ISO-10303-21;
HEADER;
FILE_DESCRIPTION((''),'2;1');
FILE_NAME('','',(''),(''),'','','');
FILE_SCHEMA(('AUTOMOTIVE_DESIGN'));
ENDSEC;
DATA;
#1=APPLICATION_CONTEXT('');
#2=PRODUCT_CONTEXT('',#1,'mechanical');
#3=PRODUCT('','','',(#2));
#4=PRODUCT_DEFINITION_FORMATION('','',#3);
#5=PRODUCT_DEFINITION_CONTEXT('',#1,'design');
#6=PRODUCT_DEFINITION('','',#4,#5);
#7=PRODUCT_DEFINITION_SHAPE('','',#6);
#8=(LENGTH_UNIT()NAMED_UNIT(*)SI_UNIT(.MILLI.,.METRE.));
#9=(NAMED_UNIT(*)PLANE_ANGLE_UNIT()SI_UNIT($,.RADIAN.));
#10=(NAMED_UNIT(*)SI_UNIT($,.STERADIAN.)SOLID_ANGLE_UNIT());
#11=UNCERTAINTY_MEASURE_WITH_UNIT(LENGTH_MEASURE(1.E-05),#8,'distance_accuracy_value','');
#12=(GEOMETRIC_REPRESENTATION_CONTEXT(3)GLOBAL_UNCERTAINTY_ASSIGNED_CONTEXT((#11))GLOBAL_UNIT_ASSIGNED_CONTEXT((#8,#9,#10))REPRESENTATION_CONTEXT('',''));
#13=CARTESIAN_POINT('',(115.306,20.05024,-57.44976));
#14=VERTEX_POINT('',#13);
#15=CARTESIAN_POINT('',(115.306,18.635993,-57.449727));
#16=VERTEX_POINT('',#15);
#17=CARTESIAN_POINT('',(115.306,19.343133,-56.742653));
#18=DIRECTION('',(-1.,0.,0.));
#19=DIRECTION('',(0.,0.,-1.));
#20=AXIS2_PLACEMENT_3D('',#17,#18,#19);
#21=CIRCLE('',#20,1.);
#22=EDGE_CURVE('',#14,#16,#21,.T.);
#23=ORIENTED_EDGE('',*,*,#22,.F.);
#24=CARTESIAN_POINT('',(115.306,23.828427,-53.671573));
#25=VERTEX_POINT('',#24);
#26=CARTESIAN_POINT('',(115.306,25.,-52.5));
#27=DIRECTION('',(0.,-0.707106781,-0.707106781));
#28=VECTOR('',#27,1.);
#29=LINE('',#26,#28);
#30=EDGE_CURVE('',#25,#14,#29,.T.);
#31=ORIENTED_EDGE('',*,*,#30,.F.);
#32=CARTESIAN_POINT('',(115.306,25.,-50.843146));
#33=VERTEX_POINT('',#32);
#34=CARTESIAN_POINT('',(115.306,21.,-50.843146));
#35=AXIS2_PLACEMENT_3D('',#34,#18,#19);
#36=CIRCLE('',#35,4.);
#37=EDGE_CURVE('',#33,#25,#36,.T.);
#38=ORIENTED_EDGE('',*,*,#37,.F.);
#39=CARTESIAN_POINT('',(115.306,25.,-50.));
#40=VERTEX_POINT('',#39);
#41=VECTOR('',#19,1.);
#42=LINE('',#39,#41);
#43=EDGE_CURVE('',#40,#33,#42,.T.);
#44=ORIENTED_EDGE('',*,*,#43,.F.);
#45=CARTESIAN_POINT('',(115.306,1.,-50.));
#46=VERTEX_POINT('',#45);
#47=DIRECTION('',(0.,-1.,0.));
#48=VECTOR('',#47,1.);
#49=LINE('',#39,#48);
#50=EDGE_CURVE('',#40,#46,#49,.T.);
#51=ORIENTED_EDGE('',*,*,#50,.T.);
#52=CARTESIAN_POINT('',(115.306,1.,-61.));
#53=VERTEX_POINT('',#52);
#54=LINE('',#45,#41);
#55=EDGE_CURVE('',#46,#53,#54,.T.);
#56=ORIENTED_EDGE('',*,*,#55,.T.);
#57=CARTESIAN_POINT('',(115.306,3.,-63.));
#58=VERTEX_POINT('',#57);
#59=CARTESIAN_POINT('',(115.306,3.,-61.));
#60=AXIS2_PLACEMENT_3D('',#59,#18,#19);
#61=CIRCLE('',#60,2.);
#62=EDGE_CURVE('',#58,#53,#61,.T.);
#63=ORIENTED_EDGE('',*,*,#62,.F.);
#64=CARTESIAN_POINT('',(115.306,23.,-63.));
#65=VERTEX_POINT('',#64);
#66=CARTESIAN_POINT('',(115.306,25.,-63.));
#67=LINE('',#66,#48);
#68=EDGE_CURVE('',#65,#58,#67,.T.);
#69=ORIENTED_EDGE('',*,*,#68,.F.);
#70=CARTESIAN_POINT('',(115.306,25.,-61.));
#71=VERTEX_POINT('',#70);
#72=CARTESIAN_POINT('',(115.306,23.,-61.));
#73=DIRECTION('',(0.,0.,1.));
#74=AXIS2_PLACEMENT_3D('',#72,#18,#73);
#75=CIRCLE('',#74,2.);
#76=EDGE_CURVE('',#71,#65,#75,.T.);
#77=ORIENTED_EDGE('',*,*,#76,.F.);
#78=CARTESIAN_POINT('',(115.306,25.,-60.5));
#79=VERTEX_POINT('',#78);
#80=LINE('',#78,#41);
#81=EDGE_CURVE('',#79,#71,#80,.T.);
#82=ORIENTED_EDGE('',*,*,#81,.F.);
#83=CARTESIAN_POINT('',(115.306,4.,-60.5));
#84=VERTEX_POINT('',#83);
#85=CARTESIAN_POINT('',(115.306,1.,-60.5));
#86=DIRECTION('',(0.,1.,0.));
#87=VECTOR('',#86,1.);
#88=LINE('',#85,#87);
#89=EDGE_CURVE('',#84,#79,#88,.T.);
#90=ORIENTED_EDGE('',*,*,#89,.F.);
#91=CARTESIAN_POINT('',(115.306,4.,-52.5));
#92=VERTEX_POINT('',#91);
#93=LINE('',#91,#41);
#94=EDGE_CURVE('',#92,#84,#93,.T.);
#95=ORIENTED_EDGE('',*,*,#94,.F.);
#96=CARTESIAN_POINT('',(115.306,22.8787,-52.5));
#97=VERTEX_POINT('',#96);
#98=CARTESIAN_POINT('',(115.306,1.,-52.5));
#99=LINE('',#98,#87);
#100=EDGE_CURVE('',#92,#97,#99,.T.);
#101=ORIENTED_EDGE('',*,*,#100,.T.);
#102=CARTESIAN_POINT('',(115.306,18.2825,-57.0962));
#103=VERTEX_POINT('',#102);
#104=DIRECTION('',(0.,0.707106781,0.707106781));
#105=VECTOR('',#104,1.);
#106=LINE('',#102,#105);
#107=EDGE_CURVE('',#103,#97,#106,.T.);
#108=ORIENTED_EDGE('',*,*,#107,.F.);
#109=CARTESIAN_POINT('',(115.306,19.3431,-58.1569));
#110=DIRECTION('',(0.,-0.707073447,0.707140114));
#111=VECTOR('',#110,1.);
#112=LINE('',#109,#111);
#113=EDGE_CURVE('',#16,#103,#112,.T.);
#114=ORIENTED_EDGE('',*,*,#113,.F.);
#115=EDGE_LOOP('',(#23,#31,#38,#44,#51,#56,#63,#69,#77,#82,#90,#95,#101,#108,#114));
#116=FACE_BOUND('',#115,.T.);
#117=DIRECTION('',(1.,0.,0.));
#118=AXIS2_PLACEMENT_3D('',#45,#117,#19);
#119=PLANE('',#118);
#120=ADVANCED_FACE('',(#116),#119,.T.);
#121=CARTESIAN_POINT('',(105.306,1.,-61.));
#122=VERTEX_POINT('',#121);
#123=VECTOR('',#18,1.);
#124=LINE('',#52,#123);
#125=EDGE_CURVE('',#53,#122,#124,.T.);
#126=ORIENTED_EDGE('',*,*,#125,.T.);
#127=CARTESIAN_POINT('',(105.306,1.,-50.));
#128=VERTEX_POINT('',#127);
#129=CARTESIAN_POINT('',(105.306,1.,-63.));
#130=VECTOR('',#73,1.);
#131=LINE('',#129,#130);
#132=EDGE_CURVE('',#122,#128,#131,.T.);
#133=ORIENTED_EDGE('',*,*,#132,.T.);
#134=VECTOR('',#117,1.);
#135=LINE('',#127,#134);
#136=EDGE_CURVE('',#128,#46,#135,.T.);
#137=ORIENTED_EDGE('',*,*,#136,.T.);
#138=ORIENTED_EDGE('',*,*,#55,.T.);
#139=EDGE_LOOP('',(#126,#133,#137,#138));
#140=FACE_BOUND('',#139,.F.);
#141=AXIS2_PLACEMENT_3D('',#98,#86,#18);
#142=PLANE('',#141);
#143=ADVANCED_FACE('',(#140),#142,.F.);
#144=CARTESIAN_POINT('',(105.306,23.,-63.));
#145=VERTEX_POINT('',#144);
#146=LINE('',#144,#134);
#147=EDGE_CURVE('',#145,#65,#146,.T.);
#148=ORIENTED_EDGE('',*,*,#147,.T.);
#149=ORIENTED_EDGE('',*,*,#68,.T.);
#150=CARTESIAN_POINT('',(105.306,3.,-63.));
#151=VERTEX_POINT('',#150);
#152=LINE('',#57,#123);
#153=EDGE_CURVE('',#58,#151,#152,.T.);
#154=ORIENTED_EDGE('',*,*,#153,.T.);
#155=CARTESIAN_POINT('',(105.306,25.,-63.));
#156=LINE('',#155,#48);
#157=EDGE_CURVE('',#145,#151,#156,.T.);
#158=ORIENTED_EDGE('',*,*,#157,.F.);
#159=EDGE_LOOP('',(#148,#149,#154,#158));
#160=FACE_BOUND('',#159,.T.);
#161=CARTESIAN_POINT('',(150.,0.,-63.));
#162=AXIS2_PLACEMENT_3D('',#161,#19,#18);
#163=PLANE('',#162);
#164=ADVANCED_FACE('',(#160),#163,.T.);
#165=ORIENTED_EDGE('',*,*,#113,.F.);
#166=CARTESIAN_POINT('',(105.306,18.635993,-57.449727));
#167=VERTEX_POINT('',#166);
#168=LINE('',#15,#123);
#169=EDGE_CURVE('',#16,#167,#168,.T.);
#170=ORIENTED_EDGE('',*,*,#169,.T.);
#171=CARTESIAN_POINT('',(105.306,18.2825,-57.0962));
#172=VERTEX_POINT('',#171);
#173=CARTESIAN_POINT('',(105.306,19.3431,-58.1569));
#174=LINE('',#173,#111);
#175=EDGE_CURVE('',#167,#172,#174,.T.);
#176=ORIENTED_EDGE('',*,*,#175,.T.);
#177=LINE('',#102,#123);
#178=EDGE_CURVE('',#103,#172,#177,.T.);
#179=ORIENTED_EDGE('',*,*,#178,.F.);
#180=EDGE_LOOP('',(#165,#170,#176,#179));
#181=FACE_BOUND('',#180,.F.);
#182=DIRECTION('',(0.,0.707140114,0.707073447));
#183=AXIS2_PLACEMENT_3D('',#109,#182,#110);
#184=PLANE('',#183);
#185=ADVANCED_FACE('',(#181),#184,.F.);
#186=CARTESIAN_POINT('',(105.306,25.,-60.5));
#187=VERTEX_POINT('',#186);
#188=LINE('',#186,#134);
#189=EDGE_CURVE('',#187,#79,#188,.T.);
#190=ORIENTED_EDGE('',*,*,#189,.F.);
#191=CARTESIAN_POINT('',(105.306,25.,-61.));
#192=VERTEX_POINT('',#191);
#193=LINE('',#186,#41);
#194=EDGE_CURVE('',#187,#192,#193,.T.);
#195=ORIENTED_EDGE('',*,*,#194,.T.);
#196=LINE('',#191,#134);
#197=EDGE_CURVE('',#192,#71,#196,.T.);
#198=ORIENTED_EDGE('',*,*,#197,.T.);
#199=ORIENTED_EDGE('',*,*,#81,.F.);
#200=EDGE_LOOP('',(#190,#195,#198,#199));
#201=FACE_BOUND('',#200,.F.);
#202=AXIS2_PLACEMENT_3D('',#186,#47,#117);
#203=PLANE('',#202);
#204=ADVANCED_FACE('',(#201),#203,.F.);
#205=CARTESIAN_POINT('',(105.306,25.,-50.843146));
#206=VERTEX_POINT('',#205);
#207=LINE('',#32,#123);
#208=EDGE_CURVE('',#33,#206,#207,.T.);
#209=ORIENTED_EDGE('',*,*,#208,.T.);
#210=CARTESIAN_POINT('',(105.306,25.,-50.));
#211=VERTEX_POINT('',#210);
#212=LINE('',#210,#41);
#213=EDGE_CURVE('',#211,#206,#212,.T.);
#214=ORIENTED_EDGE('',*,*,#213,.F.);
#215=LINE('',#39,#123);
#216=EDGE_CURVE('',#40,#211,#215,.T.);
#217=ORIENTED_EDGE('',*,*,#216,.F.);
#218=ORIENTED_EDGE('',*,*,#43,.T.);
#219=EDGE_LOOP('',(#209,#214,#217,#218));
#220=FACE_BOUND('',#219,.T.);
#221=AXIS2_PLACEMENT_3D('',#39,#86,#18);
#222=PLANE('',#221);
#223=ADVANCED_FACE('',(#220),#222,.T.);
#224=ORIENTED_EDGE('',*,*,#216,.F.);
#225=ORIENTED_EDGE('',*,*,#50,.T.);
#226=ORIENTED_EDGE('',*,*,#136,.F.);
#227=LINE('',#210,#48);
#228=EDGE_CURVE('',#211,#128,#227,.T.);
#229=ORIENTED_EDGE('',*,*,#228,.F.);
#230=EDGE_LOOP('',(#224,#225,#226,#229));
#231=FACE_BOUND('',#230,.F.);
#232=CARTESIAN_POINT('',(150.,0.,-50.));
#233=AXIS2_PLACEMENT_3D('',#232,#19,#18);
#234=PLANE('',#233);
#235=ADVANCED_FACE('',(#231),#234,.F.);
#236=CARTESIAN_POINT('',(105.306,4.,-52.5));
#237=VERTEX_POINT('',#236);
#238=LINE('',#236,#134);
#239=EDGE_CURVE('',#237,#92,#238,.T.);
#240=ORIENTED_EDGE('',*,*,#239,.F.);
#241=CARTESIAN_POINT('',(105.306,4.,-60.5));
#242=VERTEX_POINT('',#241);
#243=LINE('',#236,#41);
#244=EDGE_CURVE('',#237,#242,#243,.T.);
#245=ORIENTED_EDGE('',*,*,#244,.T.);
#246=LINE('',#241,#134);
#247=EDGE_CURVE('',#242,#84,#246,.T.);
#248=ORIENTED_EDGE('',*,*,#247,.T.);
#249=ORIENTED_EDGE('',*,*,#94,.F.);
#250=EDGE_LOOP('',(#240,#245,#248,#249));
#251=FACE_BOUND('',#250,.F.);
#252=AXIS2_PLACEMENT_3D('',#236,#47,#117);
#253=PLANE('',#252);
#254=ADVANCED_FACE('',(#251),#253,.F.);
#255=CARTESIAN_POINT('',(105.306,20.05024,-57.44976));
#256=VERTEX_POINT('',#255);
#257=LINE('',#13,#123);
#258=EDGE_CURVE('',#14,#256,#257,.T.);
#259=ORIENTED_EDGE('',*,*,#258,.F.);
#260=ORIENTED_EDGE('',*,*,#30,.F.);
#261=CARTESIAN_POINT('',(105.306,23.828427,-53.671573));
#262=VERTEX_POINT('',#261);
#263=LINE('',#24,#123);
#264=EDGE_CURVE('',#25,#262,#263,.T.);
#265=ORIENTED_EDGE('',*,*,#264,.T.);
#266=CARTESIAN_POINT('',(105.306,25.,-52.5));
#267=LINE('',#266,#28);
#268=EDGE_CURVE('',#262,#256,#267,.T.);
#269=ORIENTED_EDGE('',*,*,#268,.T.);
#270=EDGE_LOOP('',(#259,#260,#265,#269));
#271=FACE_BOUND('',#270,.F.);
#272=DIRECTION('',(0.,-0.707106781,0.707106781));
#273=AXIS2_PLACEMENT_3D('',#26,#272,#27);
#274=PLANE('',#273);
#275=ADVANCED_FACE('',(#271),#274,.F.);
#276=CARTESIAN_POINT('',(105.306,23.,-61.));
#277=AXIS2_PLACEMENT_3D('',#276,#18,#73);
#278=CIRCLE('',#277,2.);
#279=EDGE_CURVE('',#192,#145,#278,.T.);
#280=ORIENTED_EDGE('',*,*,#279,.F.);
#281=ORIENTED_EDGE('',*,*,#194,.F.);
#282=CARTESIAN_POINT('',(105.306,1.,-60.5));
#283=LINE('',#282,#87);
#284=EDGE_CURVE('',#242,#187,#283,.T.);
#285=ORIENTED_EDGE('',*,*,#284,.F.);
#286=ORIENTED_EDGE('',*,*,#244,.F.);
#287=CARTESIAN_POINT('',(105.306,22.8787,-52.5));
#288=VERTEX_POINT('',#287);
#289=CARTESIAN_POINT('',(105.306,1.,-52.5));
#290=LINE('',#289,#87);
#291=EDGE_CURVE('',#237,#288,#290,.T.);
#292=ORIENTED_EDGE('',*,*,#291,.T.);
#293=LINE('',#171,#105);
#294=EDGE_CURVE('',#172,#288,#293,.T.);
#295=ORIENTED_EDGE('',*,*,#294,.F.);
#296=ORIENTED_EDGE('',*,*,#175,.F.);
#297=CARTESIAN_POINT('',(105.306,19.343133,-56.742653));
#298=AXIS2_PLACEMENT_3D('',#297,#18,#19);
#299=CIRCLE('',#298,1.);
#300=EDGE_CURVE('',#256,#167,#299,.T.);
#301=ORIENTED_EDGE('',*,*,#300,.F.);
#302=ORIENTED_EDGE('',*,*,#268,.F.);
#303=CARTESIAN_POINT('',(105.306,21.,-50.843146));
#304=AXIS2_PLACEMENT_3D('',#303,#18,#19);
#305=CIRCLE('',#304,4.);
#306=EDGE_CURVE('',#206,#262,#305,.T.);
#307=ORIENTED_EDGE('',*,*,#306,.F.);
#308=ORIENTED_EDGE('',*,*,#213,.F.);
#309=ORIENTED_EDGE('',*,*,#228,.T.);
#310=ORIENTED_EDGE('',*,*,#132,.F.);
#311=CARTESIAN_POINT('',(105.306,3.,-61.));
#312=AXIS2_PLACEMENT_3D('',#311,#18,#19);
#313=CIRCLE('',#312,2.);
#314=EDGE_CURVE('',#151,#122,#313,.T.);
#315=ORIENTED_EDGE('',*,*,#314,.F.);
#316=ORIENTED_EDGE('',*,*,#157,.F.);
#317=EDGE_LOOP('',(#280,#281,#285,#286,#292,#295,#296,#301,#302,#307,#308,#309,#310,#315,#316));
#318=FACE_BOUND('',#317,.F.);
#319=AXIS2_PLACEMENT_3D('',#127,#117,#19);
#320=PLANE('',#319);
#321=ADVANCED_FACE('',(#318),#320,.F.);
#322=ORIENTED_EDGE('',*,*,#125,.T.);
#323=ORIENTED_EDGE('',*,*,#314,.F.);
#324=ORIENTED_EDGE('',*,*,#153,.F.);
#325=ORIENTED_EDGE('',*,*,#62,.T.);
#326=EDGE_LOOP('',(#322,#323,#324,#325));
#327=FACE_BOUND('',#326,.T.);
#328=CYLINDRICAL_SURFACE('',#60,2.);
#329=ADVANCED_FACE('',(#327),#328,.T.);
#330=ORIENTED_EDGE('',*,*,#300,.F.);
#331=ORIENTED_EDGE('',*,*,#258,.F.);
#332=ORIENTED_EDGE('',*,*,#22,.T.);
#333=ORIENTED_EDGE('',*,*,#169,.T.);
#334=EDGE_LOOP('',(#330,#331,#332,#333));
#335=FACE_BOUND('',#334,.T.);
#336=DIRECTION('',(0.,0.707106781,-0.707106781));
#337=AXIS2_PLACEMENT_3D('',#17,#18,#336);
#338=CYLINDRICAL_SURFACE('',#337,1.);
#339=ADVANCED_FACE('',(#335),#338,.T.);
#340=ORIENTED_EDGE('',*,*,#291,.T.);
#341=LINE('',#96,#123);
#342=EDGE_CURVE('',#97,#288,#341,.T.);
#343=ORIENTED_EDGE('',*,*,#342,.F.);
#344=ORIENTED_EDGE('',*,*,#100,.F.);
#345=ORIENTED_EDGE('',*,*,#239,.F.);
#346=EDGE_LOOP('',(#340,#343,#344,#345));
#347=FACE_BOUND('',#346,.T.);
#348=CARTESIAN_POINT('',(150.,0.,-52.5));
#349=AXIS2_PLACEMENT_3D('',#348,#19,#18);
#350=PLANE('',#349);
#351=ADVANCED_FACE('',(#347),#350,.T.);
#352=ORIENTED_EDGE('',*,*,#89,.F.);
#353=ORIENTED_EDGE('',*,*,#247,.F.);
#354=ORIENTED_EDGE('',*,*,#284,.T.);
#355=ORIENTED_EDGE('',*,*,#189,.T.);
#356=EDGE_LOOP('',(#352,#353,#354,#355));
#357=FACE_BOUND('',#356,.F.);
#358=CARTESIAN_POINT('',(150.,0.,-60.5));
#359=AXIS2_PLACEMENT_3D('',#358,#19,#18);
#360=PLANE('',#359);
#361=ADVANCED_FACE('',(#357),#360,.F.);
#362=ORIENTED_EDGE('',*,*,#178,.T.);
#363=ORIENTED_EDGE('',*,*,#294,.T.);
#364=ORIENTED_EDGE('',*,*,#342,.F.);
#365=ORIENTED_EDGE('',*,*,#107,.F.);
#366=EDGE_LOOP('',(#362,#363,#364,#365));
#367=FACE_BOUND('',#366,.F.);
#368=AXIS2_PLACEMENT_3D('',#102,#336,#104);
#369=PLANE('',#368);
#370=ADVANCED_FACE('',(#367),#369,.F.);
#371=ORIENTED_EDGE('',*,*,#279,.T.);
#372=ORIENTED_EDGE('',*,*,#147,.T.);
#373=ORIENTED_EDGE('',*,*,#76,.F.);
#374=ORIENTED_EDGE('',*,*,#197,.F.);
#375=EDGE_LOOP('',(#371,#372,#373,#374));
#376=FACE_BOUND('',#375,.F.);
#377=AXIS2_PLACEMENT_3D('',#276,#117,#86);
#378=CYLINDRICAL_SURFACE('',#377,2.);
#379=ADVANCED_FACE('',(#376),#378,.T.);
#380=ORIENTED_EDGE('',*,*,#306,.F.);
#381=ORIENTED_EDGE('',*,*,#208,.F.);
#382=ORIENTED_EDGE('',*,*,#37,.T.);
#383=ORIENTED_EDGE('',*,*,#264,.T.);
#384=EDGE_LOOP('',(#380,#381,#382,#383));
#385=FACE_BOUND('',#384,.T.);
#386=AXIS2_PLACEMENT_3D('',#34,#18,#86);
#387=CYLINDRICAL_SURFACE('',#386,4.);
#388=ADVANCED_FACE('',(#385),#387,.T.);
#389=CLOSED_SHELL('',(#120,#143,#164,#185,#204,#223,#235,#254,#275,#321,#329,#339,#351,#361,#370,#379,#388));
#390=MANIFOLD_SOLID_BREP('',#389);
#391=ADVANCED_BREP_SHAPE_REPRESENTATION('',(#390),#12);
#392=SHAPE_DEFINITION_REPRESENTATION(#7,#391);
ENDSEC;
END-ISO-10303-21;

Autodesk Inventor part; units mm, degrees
ref_plane "YZ Plane" through (0, 0, 0) normal (1, 0, 0) x (0, 1, 0)
ref_plane "XZ Plane" through (0, 0, 0) normal (0, 1, 0) x (-1, 0, 0)
ref_plane "XY Plane" through (0, 0, 0) normal (0, 0, 1) x (1, 0, 0)
ref_plane "Work Plane1" through (150, 0, -50) normal (0, 0, -1) x (-1, 0, 0)
sketch "Sketch1" plane through (150, 0, -50) normal (0, 0, -1) x (-1, 0, 0)
  line L0 (-107, 15) -> (222, 15)
  line L1 (44.694, 5) -> (34.694, 5)
  line L2 (34.694, 5) -> (34.694, 25)
  line L3 (34.694, 25) -> (44.694, 25)
  line L4 (44.694, 25) -> (44.694, 5)
  line L5 (44.694, 5) -> (34.694, 25) construction
  line L6 (34.694, 5) -> (44.694, 25) construction
  line L7 (34.694, 5) -> (44.694, 5)
  line L8 (44.694, 5) -> (44.694, 1)
  line L9 (44.694, 1) -> (34.694, 1)
  line L10 (34.694, 1) -> (34.694, 5)
  point P0 (150, 0)
  point P1 (39.694, 15)
  dimension "d0" = 20
  dimension "d1" = 10
  dimension "d2" = 177.306
  dimension "d3" = 4
extrude "Extrusion1" add sketch "Sketch1" along normal blind 2.5
sketch "Sketch2" plane through (150, 0, -52.5) normal (0, 0, -1) x (-1, 0, 0)
  line L0 (34.694, 25) -> (34.694, 1) projected
  line L1 (34.694, 1) -> (44.694, 1) projected
  line L2 (44.694, 1) -> (44.694, 25) projected
  line L3 (44.694, 25) -> (34.694, 25) projected
  line L4 (34.694, 1) -> (44.694, 1)
  line L5 (44.694, 1) -> (44.694, 4)
  line L6 (44.694, 4) -> (34.694, 4)
  line L7 (34.694, 4) -> (34.694, 1)
  point P0 (150, 0)
  dimension "d6" = 3
extrude "Extrusion2" add sketch "Sketch2" along normal blind 8 contours L6 L2 L1 L0
sketch "Sketch3" plane through (150, 0, -60.5) normal (0, 0, -1) x (-1, 0, 0)
  line L0 (34.694, 4) -> (34.694, 1) projected
  line L1 (34.694, 1) -> (44.694, 1) projected
  line L2 (44.694, 1) -> (44.694, 4) projected
  line L3 (44.694, 4) -> (34.694, 4) projected
  line L4 (-107, 15) -> (222, 15)
  line L5 (34.694, 4) -> (44.694, 4) projected
  line L6 (44.694, 4) -> (44.694, 25) projected
  line L7 (44.694, 25) -> (34.694, 25) projected
  line L8 (34.694, 25) -> (34.694, 4) projected
  line L9 (34.694, 25) -> (44.694, 25)
  line L10 (44.694, 25) -> (44.694, 1)
  line L11 (44.694, 1) -> (34.694, 1)
  line L12 (34.694, 1) -> (34.694, 25)
  point P0 (150, 0)
extrude "Extrusion3" add sketch "Sketch3" along normal blind 2.5
sketch "Sketch4" plane through (115.306, 1, -50) normal (1, 0, 0) x (0, 0, -1)
  line L0 (2.5, 3) -> (2.5, 24) projected
  line L1 (2.5, 24) -> (8.1569, 18.3431)
  line L2 (2.5, 24) -> (10.5, 24) construction
  line L3 (8.1569, 18.3431) -> (7.0962, 17.2825)
  line L4 (7.0962, 17.2825) -> (2.5, 21.8787)
  point P0 (-50, -1)
  dimension "d11" = 8
  dimension "d12" = 45
  dimension "d13" = 1.5
extrude "Extrusion4" add sketch "Sketch4" against normal up to surface (10 mm away)
fillet "Fillet1" radius 2 2 edges at (110.306, 25, -63) (110.306, 1, -63)
fillet "Fillet2" radius 4 1 edges at (110.306, 25, -52.5)
fillet "Fillet3" radius 1 1 edges at (110.306, 19.3431, -58.1569)
properties part number "cable-clip_3DPrint"
